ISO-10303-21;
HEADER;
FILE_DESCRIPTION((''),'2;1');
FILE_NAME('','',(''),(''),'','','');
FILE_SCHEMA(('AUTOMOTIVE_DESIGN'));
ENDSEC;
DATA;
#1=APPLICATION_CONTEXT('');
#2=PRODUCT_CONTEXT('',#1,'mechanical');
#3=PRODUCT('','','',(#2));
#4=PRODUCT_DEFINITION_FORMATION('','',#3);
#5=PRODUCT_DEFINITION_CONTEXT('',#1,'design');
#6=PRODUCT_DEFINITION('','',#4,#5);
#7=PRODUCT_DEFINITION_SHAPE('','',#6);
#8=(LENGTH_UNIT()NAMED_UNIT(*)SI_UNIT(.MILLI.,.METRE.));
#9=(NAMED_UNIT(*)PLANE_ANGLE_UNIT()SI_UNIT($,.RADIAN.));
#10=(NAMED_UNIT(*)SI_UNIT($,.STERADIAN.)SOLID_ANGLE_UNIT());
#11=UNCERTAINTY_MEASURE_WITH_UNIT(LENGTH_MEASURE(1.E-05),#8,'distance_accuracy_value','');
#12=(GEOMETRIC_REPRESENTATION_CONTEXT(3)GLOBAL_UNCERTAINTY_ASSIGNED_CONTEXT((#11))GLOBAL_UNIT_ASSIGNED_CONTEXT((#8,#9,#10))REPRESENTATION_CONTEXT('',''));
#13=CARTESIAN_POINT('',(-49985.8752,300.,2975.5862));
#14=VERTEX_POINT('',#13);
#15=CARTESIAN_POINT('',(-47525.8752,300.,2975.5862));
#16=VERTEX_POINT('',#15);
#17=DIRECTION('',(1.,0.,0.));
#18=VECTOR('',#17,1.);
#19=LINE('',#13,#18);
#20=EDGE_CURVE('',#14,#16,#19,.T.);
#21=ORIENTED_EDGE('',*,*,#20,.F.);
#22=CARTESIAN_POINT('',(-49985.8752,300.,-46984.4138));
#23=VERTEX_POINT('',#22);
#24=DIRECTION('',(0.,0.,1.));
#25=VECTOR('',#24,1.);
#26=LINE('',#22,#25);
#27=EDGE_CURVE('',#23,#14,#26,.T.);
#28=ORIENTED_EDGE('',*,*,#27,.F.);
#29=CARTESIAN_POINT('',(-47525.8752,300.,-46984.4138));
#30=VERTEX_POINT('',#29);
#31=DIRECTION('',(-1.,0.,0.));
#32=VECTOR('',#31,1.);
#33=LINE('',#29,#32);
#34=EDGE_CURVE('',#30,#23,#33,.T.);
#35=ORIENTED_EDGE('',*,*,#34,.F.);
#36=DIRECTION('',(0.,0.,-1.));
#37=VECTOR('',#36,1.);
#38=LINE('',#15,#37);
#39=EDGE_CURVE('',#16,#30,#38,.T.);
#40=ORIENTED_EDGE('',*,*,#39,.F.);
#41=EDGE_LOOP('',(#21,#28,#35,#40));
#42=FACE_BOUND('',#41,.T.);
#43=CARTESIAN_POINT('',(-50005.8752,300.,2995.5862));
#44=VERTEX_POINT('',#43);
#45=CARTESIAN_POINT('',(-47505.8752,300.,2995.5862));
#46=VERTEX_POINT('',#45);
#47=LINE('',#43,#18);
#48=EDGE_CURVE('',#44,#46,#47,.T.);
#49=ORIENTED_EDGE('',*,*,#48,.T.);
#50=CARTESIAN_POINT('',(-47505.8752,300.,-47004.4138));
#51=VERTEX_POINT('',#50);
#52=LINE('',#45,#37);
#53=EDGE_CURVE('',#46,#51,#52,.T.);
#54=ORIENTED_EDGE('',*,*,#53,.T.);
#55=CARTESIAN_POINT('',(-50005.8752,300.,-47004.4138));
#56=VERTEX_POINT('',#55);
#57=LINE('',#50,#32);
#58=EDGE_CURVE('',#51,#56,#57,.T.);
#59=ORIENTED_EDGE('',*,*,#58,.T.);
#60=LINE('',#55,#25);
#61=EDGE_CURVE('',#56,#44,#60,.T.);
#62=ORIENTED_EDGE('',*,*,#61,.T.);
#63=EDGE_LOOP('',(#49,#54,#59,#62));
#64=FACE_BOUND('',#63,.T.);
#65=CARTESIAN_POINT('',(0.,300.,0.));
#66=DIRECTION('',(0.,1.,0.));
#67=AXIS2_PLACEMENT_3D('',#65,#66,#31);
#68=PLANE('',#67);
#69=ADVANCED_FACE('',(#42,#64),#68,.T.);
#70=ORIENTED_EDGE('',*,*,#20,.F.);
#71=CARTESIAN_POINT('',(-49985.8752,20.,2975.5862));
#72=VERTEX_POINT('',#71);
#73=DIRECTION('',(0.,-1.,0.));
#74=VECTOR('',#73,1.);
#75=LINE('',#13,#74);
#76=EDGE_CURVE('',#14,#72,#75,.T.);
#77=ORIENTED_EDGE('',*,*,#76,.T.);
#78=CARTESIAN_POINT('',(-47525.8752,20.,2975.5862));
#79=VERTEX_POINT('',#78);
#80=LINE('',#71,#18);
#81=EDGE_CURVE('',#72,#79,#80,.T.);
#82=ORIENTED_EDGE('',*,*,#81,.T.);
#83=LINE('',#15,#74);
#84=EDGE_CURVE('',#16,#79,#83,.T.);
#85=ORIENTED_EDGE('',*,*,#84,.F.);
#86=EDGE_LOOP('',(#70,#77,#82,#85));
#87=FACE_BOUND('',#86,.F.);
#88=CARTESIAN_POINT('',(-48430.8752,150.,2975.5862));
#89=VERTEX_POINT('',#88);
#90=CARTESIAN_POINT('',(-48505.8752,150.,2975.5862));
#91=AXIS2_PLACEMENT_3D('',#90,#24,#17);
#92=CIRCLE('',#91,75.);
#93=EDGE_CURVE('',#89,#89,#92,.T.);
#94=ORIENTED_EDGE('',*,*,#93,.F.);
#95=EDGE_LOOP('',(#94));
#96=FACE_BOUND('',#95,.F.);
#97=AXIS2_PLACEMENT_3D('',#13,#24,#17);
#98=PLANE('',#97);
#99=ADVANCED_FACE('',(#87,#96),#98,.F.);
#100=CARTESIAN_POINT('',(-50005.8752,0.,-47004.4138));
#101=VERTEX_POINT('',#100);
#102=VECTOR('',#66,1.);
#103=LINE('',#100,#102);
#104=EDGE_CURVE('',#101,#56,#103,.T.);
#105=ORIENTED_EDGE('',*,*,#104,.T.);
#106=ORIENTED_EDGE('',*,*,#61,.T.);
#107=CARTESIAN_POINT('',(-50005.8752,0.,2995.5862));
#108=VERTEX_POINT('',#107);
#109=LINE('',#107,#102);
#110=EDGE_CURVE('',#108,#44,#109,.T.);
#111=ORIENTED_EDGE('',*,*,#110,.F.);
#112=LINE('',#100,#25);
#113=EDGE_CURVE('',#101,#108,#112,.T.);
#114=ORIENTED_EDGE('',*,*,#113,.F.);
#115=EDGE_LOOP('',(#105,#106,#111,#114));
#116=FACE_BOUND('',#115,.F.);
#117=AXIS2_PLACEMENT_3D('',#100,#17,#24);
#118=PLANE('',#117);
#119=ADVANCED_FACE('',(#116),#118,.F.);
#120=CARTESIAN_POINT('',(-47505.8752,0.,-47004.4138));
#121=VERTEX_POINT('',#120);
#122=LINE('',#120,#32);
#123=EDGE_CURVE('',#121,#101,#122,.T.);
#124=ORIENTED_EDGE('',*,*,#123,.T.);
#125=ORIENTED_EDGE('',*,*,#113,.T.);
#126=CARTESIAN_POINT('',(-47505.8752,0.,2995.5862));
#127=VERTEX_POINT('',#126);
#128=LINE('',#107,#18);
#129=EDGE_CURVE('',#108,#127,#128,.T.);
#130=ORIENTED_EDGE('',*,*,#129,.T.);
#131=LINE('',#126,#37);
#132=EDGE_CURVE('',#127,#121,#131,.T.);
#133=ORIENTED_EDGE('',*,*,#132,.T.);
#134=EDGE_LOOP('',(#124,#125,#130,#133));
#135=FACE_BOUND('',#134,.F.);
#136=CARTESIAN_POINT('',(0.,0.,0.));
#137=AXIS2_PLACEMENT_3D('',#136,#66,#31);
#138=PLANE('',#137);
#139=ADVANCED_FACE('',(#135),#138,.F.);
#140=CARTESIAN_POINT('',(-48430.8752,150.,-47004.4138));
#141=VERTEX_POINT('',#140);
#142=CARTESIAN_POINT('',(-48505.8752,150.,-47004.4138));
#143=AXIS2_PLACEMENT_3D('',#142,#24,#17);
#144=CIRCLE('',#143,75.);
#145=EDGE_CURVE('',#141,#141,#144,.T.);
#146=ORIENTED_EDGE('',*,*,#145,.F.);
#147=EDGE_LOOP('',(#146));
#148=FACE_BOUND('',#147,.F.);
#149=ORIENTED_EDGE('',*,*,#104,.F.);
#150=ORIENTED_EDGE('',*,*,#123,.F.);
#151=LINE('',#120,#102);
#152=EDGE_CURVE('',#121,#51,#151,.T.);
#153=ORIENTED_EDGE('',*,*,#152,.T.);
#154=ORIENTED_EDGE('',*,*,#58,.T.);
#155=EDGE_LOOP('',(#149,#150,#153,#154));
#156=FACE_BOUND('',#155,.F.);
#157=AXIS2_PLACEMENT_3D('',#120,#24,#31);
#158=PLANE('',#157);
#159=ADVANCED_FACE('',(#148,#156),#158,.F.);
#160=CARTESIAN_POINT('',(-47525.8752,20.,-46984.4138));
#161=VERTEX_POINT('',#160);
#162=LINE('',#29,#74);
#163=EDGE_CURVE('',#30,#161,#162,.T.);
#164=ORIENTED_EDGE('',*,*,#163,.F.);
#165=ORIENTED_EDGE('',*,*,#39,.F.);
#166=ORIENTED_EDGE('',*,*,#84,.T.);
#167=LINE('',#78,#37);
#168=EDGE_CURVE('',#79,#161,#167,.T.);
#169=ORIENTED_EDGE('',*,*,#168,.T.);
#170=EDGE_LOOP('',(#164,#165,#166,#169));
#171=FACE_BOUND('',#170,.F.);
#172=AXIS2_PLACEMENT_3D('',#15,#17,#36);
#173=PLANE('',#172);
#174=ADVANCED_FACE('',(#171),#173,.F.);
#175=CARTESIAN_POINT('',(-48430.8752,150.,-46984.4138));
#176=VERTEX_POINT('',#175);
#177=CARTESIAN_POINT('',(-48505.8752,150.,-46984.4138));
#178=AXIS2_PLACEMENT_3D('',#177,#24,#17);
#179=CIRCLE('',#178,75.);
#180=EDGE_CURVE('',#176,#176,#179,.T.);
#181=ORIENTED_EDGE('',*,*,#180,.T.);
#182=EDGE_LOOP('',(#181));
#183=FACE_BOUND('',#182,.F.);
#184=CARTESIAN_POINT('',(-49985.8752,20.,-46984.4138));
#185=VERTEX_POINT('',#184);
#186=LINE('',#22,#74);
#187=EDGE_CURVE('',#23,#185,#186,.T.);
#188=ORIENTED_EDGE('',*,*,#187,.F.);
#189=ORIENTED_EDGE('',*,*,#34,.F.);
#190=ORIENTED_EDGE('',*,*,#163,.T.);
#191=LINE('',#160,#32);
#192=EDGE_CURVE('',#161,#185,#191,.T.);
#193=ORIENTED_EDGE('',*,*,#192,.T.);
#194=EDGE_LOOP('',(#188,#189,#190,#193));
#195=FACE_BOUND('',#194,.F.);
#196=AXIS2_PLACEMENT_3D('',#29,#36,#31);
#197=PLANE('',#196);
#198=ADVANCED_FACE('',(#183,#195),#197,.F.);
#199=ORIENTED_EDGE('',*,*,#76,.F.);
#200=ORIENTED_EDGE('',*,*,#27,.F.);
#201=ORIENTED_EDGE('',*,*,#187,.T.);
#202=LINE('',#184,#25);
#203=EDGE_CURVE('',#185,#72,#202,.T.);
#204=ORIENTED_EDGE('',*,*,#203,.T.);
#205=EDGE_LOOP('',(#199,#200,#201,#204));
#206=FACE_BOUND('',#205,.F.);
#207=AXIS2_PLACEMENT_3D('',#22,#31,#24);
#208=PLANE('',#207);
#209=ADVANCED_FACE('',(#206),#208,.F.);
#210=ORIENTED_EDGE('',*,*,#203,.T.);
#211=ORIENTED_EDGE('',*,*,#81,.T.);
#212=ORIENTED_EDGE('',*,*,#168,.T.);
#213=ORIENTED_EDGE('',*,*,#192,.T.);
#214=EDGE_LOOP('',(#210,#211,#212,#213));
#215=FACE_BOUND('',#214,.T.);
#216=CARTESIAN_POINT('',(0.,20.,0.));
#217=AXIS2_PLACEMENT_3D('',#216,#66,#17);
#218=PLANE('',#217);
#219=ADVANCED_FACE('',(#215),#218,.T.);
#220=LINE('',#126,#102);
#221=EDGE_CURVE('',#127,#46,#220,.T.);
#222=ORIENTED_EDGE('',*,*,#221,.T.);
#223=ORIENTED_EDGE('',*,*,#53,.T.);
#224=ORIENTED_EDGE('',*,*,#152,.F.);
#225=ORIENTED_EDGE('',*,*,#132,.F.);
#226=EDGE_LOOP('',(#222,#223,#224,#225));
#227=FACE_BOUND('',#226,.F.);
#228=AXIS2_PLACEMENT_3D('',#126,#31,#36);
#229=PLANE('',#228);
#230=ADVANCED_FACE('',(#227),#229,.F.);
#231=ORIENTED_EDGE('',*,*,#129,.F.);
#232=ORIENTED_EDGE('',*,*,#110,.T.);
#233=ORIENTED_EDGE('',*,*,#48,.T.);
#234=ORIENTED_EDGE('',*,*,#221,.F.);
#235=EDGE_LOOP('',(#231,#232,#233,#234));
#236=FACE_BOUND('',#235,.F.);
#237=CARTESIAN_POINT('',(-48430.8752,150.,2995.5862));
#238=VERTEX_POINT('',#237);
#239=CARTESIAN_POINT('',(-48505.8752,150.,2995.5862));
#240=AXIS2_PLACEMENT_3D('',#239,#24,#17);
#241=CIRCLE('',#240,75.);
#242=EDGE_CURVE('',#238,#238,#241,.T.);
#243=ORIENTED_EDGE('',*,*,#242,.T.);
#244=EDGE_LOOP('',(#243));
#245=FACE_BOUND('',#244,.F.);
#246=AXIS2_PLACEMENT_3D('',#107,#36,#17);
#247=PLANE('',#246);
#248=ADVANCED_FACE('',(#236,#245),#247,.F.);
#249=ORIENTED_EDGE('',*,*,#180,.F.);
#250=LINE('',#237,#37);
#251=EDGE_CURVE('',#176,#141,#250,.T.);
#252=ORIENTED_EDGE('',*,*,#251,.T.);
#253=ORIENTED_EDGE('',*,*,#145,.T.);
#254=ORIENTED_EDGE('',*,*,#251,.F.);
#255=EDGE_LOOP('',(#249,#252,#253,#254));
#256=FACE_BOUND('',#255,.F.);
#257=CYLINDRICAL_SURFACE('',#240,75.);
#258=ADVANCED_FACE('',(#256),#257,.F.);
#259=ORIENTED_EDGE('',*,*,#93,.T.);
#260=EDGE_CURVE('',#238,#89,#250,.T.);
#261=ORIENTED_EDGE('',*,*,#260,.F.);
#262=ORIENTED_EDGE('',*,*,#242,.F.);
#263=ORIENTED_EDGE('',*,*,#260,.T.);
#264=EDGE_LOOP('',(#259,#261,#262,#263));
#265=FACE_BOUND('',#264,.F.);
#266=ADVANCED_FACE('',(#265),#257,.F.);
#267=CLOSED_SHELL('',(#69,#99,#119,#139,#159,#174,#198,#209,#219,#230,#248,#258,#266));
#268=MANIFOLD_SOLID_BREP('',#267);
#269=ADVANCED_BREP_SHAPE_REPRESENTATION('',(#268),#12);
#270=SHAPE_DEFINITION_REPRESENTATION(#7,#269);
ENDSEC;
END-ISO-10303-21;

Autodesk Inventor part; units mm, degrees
ref_plane "YZ Plane" through (0, 0, 0) normal (1, 0, 0) x (0, 1, 0)
ref_plane "XZ Plane" through (0, 0, 0) normal (0, 1, 0) x (-1, 0, 0)
ref_plane "XY Plane" through (0, 0, 0) normal (0, 0, 1) x (1, 0, 0)
sketch "Sketch1" plane through (0, 0, 0) normal (0, 1, 0) x (-1, 0, 0)
  line L0 (47505.8752, -47004.4138) -> (50005.8752, -47004.4138)
  line L1 (50005.8752, -47004.4138) -> (50005.8752, 2995.5862)
  line L2 (50005.8752, 2995.5862) -> (47505.8752, 2995.5862)
  line L3 (47505.8752, 2995.5862) -> (47505.8752, -47004.4138)
  point P0 (0, 0)
  dimension "d0" = 2500
  dimension "d1" = 50000
extrude "Extrusion1" add sketch "Sketch1" along normal blind 300
sketch "Sketch2" plane through (0, 300, 0) normal (0, 1, 0) x (1, 0, 0)
  line L0 (-47525.8752, 46984.4138) -> (-49985.8752, 46984.4138)
  line L1 (-49985.8752, 46984.4138) -> (-49985.8752, -2975.5862)
  line L2 (-49985.8752, -2975.5862) -> (-47525.8752, -2975.5862)
  line L3 (-47525.8752, -2975.5862) -> (-47525.8752, 46984.4138)
  line L4 (-47505.8752, -2995.5862) -> (-47505.8752, 47004.4138) projected
  line L5 (-50005.8752, 47004.4138) -> (-50005.8752, -2995.5862) projected
  line L6 (-47505.8752, 47004.4138) -> (-50005.8752, 47004.4138) projected
  line L7 (-50005.8752, -2995.5862) -> (-47505.8752, -2995.5862) projected
  point P0 (0, 0)
  dimension "d4" = 20
  dimension "d5" = 20
  dimension "d6" = 20
  dimension "d7" = 20
extrude "Extrusion2" cut sketch "Sketch2" against normal blind 280 contours L3 L2 L1 L0
sketch "Sketch3" plane through (-50005.8752, 0, 2995.5862) normal (0, 0, 1) x (1, 0, 0)
  line L0 (2480, 300) -> (20, 300) projected
  circle A0 centre (1500, 150) radius 75
  point P0 (50005.8752, 0)
  dimension "d10" = 150
extrude "Extrusion3" cut sketch "Sketch3" against normal blind 55000
properties part number "dwc"
